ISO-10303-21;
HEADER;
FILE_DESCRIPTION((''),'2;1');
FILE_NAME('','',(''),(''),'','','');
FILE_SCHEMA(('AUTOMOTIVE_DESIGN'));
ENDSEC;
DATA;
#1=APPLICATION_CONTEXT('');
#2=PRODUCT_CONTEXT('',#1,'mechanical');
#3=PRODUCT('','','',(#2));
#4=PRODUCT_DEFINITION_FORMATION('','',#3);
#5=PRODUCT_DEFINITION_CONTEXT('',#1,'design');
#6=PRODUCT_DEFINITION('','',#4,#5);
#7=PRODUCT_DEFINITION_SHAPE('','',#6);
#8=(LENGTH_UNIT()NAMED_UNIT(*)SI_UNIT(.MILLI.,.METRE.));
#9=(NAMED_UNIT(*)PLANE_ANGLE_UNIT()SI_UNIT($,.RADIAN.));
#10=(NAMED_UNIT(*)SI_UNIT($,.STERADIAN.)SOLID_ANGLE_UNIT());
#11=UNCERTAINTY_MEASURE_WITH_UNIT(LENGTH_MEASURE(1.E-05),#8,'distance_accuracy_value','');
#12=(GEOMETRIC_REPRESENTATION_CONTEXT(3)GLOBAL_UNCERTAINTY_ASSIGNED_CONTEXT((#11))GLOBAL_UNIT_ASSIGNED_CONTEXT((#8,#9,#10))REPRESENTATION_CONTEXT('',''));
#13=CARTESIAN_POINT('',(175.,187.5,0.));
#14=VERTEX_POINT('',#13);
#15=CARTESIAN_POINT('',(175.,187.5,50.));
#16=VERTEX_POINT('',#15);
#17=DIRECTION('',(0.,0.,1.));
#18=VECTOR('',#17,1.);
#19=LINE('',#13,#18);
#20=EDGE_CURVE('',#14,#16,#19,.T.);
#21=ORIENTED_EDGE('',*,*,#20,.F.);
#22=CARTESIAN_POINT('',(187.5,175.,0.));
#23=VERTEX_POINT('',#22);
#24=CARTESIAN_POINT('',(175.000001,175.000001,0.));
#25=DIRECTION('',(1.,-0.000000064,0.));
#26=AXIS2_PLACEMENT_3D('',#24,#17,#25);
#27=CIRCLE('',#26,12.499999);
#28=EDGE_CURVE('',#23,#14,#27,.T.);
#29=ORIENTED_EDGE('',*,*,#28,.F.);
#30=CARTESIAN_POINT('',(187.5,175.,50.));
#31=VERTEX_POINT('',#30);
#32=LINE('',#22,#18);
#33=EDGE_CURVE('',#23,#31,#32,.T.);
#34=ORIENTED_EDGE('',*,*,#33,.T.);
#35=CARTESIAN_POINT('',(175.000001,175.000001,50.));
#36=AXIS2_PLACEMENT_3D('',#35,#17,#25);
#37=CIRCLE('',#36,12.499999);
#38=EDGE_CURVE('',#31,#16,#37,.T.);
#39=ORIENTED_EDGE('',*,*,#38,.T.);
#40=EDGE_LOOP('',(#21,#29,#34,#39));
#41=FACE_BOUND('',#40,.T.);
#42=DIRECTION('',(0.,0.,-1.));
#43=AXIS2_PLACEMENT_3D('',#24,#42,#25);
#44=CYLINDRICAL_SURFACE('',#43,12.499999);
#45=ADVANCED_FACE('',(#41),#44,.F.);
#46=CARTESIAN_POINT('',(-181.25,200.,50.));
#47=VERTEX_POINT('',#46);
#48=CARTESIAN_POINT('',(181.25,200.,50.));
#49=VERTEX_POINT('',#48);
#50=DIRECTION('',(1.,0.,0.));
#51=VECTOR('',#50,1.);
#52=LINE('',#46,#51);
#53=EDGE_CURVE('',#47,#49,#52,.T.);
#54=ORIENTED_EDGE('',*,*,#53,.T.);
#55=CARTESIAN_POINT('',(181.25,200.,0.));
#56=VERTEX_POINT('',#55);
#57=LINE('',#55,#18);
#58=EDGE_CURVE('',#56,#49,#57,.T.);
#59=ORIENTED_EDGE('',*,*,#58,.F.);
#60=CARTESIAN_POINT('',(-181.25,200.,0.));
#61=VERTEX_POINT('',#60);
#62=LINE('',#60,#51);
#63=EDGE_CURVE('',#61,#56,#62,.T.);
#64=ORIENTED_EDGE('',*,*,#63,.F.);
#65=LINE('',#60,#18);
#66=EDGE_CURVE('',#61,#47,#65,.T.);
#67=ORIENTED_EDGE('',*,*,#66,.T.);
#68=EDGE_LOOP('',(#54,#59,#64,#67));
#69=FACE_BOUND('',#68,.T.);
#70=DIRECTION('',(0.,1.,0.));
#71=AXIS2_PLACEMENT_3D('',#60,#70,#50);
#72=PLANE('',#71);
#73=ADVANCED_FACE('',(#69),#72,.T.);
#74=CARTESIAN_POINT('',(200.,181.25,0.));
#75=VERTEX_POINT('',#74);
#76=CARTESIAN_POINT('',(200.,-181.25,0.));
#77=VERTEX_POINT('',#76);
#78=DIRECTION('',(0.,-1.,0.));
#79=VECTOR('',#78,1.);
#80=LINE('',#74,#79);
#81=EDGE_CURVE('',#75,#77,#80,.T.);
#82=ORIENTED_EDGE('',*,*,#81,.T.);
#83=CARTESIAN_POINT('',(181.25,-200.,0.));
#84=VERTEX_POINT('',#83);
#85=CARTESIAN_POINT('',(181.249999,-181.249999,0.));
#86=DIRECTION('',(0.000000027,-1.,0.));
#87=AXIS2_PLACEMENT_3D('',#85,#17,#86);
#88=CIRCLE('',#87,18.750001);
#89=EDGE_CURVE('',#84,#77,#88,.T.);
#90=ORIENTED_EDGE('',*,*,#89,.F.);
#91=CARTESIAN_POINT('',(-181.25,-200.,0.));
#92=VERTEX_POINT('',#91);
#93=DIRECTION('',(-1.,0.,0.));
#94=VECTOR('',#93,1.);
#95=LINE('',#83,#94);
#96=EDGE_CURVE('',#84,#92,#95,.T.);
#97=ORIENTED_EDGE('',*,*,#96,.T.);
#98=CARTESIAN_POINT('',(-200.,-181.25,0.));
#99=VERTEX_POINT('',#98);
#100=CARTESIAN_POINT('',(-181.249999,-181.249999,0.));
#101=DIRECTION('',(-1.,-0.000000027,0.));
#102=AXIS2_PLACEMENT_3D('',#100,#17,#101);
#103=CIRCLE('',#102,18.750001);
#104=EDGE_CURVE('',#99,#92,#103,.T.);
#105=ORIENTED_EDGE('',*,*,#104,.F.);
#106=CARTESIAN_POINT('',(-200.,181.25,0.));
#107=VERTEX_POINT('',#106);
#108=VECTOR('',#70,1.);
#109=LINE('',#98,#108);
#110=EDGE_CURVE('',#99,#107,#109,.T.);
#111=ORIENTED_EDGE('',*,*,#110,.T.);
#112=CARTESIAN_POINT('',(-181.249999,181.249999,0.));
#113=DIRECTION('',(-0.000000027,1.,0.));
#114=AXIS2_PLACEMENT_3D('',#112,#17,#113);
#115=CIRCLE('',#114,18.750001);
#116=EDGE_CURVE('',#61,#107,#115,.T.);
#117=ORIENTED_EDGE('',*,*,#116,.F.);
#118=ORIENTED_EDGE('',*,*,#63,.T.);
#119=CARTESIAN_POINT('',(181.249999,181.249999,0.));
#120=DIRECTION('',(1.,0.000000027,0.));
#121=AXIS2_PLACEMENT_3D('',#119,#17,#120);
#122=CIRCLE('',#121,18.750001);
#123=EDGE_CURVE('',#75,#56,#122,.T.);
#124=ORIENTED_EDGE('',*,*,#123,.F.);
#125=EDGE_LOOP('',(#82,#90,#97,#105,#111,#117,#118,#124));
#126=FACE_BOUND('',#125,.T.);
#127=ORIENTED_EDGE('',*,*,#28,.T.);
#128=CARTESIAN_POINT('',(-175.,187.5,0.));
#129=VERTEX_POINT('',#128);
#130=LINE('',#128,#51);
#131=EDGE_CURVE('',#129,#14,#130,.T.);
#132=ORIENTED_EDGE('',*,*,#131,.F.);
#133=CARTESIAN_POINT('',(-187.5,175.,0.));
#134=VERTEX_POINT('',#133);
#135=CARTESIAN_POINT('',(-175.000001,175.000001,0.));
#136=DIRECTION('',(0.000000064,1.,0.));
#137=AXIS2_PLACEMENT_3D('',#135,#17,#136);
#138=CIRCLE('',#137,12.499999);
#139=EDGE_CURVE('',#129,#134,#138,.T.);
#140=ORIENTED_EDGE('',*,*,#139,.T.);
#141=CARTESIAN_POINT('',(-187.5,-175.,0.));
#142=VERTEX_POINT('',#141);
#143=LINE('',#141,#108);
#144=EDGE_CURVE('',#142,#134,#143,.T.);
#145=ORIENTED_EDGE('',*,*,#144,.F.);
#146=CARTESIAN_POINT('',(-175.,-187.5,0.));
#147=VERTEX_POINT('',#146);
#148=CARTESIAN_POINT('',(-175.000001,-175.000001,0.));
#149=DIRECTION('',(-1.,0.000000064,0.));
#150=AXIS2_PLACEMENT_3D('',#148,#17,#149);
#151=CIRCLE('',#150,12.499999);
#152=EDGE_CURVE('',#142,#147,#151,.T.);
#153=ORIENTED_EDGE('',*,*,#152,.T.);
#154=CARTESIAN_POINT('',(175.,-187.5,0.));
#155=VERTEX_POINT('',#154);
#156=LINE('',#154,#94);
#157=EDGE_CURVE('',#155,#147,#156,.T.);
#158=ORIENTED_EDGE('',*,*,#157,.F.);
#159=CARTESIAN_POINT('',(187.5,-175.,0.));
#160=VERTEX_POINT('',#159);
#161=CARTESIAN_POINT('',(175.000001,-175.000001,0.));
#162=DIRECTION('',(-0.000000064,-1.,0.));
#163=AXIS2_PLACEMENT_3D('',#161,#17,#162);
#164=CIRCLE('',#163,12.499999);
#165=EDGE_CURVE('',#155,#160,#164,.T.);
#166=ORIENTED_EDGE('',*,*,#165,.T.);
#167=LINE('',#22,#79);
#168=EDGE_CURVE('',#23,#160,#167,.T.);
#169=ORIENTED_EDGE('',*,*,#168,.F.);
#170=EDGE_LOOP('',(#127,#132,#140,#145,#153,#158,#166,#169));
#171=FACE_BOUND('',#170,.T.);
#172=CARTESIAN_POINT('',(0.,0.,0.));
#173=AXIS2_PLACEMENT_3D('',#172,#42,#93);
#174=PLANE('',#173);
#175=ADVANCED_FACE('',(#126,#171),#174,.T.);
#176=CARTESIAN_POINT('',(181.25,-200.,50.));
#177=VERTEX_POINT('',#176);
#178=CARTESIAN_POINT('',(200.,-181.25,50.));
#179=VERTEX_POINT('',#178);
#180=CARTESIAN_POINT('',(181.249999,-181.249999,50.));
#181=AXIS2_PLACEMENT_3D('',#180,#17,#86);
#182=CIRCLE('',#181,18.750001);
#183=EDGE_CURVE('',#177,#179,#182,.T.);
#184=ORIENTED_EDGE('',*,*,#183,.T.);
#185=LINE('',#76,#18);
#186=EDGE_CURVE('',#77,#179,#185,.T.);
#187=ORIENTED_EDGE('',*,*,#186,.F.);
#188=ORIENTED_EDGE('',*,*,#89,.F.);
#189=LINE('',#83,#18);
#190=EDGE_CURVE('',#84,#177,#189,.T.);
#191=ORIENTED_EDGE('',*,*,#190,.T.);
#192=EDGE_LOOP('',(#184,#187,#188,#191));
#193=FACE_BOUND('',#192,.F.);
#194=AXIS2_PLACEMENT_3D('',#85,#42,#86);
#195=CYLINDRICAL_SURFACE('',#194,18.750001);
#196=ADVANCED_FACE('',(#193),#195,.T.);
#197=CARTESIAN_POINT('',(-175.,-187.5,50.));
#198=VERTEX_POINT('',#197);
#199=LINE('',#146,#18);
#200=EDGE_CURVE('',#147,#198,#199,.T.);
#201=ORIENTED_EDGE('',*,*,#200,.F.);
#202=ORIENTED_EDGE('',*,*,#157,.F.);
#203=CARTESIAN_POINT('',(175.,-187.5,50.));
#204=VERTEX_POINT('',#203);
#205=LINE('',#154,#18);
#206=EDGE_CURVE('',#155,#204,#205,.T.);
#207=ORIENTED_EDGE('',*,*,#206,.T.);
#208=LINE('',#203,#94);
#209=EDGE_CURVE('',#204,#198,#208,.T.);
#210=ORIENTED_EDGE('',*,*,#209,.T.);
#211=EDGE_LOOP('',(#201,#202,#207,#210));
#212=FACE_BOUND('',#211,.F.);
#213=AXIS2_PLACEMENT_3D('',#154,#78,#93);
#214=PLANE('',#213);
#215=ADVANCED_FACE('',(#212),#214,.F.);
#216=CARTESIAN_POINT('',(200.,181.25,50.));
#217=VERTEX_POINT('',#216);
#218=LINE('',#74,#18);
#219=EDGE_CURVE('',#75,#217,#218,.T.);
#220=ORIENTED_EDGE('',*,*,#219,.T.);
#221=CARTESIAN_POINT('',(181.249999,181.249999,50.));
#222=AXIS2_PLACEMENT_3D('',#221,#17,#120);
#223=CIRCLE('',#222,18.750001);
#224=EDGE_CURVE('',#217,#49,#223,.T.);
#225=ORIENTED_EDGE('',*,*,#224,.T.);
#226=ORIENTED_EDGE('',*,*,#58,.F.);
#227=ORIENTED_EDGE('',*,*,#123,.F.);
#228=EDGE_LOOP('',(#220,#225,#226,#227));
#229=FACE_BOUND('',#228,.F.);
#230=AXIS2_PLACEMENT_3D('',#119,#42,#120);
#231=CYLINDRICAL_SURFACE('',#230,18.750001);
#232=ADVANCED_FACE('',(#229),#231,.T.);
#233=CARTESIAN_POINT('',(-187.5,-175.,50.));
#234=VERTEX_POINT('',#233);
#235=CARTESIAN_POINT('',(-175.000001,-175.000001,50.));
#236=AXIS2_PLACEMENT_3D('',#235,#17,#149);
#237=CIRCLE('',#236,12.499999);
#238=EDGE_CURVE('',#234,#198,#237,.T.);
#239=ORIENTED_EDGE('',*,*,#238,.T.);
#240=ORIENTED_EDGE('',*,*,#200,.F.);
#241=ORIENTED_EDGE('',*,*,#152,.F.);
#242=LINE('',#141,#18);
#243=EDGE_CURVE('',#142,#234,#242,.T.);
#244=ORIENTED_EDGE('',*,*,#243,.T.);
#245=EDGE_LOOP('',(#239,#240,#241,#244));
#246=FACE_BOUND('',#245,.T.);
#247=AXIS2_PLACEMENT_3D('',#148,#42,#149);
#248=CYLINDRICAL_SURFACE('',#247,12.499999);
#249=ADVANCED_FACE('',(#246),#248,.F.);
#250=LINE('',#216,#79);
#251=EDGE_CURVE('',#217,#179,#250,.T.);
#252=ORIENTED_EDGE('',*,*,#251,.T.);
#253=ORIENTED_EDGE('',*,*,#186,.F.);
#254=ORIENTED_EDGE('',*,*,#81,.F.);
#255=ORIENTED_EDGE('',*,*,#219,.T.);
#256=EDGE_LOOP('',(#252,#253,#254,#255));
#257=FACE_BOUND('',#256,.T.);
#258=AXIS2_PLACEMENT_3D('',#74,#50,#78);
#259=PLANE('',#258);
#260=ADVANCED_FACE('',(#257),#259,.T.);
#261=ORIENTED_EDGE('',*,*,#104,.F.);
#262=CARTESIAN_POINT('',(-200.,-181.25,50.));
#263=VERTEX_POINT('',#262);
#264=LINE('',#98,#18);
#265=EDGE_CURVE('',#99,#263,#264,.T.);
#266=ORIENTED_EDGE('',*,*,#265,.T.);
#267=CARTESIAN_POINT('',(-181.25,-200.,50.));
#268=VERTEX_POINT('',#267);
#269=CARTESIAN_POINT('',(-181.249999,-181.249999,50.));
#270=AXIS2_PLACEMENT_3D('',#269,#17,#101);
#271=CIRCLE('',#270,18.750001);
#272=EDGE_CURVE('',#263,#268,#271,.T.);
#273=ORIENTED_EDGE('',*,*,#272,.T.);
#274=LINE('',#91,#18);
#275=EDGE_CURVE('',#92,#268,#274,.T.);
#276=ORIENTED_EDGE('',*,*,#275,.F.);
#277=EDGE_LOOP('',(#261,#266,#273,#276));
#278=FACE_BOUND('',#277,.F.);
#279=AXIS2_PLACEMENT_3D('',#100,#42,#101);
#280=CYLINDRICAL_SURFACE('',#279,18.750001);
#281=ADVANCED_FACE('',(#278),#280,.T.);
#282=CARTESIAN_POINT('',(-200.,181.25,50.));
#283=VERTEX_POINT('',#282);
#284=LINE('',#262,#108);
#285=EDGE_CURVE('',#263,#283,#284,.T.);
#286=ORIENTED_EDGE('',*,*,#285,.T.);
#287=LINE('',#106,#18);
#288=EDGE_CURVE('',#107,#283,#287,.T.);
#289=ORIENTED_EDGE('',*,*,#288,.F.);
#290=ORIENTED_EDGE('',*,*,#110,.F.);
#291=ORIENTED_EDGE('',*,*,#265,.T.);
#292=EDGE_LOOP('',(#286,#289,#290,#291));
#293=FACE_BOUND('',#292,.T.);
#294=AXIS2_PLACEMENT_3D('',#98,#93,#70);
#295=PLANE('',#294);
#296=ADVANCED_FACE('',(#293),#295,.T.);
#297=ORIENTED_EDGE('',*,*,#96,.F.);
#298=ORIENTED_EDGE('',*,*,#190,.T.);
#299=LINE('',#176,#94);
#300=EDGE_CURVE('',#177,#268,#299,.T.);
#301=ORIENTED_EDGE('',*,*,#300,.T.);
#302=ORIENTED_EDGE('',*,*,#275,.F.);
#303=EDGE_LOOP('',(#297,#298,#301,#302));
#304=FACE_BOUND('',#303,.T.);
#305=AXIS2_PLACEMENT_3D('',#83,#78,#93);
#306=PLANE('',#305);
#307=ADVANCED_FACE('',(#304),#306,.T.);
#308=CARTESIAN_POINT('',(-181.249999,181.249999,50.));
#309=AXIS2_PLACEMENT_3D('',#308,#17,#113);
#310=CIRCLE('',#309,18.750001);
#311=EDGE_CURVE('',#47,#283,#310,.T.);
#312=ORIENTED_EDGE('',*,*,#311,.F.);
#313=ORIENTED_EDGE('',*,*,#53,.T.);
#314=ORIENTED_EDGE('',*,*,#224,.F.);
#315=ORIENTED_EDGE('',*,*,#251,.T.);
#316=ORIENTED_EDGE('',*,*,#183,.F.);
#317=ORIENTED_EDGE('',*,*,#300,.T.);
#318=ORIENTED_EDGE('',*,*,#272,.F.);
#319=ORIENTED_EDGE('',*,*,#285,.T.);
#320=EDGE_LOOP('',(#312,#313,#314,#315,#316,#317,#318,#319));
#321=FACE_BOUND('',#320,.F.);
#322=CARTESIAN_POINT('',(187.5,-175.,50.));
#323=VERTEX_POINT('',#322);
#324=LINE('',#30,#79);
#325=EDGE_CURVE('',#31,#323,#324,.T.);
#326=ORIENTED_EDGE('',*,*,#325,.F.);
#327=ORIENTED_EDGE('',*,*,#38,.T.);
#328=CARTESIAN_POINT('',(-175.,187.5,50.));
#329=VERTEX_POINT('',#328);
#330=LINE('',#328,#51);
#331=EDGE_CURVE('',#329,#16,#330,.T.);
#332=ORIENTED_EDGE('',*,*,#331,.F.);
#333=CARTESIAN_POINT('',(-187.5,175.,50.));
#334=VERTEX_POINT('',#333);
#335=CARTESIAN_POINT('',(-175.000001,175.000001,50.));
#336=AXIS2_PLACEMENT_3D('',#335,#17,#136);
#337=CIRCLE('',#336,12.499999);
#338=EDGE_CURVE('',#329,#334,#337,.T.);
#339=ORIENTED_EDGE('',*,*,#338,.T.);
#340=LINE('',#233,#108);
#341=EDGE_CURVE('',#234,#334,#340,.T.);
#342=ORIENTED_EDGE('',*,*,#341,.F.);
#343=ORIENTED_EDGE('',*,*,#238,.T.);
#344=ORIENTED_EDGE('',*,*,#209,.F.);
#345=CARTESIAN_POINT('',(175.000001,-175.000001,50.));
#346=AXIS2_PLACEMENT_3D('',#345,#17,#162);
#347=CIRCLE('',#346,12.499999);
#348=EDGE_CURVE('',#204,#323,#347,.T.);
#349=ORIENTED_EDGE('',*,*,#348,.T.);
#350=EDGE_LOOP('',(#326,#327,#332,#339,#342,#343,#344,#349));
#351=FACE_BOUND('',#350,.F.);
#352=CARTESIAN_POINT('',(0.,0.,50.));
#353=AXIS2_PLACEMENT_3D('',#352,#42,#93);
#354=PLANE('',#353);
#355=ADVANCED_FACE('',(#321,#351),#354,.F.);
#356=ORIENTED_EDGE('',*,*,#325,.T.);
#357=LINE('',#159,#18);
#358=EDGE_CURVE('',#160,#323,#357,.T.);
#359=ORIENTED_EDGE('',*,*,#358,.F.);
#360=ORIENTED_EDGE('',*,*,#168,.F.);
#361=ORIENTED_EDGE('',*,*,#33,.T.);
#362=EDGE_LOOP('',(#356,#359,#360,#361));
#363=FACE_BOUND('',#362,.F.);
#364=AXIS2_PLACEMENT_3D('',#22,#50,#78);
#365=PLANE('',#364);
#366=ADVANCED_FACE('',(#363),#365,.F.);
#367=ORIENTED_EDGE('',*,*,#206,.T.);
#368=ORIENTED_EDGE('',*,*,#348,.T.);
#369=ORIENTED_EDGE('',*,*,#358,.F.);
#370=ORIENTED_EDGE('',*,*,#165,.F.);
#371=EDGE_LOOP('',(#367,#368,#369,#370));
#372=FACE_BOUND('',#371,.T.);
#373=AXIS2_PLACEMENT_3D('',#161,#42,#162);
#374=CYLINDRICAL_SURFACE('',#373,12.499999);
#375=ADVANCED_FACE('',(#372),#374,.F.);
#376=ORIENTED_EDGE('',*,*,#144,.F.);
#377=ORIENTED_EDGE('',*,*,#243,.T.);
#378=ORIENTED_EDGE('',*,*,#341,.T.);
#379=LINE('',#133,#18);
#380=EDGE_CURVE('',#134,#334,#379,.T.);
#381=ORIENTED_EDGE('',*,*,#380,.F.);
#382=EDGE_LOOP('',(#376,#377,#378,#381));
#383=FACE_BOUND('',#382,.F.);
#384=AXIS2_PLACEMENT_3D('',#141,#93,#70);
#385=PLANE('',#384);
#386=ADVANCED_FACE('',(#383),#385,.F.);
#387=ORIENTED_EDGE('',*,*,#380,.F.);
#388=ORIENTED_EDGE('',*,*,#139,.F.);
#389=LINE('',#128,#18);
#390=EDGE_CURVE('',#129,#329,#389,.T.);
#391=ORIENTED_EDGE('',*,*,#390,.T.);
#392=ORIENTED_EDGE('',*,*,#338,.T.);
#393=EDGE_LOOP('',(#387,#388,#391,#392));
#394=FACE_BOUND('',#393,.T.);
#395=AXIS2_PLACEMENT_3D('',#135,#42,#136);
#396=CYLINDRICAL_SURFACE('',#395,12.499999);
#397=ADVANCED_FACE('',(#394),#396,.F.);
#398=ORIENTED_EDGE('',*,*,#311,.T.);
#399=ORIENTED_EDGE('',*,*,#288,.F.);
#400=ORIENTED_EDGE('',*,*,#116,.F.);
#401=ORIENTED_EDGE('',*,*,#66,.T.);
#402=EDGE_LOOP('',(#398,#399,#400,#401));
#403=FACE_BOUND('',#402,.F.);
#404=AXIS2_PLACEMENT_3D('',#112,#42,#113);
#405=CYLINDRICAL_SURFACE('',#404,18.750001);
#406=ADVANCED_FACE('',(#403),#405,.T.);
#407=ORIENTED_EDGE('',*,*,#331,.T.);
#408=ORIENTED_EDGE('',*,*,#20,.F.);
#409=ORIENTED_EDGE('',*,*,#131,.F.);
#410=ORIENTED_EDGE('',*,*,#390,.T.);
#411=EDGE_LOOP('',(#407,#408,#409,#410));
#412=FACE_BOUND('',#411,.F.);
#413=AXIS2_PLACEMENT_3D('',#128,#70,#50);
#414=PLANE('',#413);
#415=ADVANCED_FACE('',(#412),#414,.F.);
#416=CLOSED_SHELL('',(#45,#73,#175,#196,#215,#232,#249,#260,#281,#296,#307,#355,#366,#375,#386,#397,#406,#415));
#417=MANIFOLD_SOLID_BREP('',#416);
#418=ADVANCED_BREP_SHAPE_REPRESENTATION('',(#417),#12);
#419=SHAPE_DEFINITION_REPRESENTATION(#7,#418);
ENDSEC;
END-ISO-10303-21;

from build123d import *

# Parameters (mm, degrees)
EXTRUDE_DEPTH = 50


with BuildPart() as part:
    # Sketch → Extrude (new body)
    with BuildSketch(Plane.XY):
        with BuildLine():
            Line((-181.25, 200), (181.25, 200))
            ThreePointArc((200, 181.25), (194.508252, 194.508252), (181.25, 200))
            Line((200, 181.25), (200, -181.25))
            ThreePointArc((181.25, -200), (194.508252, -194.508252), (200, -181.25))
            Line((181.25, -200), (-181.25, -200))
            ThreePointArc((-200, -181.25), (-194.508252, -194.508252), (-181.25, -200))
            Line((-200, -181.25), (-200, 181.25))
            ThreePointArc((-181.25, 200), (-194.508252, 194.508252), (-200, 181.25))
        make_face()
        with BuildLine():
            Line((-175, 187.5), (175, 187.5))
            ThreePointArc((187.5, 175), (183.838835, 183.838835), (175, 187.5))
            Line((187.5, 175), (187.5, -175))
            ThreePointArc((175, -187.5), (183.838835, -183.838835), (187.5, -175))
            Line((175, -187.5), (-175, -187.5))
            ThreePointArc((-187.5, -175), (-183.838835, -183.838835), (-175, -187.5))
            Line((-187.5, -175), (-187.5, 175))
            ThreePointArc((-175, 187.5), (-183.838835, 183.838835), (-187.5, 175))
        make_face(mode=Mode.SUBTRACT)
    extrude(amount=EXTRUDE_DEPTH)


solid = part.part
